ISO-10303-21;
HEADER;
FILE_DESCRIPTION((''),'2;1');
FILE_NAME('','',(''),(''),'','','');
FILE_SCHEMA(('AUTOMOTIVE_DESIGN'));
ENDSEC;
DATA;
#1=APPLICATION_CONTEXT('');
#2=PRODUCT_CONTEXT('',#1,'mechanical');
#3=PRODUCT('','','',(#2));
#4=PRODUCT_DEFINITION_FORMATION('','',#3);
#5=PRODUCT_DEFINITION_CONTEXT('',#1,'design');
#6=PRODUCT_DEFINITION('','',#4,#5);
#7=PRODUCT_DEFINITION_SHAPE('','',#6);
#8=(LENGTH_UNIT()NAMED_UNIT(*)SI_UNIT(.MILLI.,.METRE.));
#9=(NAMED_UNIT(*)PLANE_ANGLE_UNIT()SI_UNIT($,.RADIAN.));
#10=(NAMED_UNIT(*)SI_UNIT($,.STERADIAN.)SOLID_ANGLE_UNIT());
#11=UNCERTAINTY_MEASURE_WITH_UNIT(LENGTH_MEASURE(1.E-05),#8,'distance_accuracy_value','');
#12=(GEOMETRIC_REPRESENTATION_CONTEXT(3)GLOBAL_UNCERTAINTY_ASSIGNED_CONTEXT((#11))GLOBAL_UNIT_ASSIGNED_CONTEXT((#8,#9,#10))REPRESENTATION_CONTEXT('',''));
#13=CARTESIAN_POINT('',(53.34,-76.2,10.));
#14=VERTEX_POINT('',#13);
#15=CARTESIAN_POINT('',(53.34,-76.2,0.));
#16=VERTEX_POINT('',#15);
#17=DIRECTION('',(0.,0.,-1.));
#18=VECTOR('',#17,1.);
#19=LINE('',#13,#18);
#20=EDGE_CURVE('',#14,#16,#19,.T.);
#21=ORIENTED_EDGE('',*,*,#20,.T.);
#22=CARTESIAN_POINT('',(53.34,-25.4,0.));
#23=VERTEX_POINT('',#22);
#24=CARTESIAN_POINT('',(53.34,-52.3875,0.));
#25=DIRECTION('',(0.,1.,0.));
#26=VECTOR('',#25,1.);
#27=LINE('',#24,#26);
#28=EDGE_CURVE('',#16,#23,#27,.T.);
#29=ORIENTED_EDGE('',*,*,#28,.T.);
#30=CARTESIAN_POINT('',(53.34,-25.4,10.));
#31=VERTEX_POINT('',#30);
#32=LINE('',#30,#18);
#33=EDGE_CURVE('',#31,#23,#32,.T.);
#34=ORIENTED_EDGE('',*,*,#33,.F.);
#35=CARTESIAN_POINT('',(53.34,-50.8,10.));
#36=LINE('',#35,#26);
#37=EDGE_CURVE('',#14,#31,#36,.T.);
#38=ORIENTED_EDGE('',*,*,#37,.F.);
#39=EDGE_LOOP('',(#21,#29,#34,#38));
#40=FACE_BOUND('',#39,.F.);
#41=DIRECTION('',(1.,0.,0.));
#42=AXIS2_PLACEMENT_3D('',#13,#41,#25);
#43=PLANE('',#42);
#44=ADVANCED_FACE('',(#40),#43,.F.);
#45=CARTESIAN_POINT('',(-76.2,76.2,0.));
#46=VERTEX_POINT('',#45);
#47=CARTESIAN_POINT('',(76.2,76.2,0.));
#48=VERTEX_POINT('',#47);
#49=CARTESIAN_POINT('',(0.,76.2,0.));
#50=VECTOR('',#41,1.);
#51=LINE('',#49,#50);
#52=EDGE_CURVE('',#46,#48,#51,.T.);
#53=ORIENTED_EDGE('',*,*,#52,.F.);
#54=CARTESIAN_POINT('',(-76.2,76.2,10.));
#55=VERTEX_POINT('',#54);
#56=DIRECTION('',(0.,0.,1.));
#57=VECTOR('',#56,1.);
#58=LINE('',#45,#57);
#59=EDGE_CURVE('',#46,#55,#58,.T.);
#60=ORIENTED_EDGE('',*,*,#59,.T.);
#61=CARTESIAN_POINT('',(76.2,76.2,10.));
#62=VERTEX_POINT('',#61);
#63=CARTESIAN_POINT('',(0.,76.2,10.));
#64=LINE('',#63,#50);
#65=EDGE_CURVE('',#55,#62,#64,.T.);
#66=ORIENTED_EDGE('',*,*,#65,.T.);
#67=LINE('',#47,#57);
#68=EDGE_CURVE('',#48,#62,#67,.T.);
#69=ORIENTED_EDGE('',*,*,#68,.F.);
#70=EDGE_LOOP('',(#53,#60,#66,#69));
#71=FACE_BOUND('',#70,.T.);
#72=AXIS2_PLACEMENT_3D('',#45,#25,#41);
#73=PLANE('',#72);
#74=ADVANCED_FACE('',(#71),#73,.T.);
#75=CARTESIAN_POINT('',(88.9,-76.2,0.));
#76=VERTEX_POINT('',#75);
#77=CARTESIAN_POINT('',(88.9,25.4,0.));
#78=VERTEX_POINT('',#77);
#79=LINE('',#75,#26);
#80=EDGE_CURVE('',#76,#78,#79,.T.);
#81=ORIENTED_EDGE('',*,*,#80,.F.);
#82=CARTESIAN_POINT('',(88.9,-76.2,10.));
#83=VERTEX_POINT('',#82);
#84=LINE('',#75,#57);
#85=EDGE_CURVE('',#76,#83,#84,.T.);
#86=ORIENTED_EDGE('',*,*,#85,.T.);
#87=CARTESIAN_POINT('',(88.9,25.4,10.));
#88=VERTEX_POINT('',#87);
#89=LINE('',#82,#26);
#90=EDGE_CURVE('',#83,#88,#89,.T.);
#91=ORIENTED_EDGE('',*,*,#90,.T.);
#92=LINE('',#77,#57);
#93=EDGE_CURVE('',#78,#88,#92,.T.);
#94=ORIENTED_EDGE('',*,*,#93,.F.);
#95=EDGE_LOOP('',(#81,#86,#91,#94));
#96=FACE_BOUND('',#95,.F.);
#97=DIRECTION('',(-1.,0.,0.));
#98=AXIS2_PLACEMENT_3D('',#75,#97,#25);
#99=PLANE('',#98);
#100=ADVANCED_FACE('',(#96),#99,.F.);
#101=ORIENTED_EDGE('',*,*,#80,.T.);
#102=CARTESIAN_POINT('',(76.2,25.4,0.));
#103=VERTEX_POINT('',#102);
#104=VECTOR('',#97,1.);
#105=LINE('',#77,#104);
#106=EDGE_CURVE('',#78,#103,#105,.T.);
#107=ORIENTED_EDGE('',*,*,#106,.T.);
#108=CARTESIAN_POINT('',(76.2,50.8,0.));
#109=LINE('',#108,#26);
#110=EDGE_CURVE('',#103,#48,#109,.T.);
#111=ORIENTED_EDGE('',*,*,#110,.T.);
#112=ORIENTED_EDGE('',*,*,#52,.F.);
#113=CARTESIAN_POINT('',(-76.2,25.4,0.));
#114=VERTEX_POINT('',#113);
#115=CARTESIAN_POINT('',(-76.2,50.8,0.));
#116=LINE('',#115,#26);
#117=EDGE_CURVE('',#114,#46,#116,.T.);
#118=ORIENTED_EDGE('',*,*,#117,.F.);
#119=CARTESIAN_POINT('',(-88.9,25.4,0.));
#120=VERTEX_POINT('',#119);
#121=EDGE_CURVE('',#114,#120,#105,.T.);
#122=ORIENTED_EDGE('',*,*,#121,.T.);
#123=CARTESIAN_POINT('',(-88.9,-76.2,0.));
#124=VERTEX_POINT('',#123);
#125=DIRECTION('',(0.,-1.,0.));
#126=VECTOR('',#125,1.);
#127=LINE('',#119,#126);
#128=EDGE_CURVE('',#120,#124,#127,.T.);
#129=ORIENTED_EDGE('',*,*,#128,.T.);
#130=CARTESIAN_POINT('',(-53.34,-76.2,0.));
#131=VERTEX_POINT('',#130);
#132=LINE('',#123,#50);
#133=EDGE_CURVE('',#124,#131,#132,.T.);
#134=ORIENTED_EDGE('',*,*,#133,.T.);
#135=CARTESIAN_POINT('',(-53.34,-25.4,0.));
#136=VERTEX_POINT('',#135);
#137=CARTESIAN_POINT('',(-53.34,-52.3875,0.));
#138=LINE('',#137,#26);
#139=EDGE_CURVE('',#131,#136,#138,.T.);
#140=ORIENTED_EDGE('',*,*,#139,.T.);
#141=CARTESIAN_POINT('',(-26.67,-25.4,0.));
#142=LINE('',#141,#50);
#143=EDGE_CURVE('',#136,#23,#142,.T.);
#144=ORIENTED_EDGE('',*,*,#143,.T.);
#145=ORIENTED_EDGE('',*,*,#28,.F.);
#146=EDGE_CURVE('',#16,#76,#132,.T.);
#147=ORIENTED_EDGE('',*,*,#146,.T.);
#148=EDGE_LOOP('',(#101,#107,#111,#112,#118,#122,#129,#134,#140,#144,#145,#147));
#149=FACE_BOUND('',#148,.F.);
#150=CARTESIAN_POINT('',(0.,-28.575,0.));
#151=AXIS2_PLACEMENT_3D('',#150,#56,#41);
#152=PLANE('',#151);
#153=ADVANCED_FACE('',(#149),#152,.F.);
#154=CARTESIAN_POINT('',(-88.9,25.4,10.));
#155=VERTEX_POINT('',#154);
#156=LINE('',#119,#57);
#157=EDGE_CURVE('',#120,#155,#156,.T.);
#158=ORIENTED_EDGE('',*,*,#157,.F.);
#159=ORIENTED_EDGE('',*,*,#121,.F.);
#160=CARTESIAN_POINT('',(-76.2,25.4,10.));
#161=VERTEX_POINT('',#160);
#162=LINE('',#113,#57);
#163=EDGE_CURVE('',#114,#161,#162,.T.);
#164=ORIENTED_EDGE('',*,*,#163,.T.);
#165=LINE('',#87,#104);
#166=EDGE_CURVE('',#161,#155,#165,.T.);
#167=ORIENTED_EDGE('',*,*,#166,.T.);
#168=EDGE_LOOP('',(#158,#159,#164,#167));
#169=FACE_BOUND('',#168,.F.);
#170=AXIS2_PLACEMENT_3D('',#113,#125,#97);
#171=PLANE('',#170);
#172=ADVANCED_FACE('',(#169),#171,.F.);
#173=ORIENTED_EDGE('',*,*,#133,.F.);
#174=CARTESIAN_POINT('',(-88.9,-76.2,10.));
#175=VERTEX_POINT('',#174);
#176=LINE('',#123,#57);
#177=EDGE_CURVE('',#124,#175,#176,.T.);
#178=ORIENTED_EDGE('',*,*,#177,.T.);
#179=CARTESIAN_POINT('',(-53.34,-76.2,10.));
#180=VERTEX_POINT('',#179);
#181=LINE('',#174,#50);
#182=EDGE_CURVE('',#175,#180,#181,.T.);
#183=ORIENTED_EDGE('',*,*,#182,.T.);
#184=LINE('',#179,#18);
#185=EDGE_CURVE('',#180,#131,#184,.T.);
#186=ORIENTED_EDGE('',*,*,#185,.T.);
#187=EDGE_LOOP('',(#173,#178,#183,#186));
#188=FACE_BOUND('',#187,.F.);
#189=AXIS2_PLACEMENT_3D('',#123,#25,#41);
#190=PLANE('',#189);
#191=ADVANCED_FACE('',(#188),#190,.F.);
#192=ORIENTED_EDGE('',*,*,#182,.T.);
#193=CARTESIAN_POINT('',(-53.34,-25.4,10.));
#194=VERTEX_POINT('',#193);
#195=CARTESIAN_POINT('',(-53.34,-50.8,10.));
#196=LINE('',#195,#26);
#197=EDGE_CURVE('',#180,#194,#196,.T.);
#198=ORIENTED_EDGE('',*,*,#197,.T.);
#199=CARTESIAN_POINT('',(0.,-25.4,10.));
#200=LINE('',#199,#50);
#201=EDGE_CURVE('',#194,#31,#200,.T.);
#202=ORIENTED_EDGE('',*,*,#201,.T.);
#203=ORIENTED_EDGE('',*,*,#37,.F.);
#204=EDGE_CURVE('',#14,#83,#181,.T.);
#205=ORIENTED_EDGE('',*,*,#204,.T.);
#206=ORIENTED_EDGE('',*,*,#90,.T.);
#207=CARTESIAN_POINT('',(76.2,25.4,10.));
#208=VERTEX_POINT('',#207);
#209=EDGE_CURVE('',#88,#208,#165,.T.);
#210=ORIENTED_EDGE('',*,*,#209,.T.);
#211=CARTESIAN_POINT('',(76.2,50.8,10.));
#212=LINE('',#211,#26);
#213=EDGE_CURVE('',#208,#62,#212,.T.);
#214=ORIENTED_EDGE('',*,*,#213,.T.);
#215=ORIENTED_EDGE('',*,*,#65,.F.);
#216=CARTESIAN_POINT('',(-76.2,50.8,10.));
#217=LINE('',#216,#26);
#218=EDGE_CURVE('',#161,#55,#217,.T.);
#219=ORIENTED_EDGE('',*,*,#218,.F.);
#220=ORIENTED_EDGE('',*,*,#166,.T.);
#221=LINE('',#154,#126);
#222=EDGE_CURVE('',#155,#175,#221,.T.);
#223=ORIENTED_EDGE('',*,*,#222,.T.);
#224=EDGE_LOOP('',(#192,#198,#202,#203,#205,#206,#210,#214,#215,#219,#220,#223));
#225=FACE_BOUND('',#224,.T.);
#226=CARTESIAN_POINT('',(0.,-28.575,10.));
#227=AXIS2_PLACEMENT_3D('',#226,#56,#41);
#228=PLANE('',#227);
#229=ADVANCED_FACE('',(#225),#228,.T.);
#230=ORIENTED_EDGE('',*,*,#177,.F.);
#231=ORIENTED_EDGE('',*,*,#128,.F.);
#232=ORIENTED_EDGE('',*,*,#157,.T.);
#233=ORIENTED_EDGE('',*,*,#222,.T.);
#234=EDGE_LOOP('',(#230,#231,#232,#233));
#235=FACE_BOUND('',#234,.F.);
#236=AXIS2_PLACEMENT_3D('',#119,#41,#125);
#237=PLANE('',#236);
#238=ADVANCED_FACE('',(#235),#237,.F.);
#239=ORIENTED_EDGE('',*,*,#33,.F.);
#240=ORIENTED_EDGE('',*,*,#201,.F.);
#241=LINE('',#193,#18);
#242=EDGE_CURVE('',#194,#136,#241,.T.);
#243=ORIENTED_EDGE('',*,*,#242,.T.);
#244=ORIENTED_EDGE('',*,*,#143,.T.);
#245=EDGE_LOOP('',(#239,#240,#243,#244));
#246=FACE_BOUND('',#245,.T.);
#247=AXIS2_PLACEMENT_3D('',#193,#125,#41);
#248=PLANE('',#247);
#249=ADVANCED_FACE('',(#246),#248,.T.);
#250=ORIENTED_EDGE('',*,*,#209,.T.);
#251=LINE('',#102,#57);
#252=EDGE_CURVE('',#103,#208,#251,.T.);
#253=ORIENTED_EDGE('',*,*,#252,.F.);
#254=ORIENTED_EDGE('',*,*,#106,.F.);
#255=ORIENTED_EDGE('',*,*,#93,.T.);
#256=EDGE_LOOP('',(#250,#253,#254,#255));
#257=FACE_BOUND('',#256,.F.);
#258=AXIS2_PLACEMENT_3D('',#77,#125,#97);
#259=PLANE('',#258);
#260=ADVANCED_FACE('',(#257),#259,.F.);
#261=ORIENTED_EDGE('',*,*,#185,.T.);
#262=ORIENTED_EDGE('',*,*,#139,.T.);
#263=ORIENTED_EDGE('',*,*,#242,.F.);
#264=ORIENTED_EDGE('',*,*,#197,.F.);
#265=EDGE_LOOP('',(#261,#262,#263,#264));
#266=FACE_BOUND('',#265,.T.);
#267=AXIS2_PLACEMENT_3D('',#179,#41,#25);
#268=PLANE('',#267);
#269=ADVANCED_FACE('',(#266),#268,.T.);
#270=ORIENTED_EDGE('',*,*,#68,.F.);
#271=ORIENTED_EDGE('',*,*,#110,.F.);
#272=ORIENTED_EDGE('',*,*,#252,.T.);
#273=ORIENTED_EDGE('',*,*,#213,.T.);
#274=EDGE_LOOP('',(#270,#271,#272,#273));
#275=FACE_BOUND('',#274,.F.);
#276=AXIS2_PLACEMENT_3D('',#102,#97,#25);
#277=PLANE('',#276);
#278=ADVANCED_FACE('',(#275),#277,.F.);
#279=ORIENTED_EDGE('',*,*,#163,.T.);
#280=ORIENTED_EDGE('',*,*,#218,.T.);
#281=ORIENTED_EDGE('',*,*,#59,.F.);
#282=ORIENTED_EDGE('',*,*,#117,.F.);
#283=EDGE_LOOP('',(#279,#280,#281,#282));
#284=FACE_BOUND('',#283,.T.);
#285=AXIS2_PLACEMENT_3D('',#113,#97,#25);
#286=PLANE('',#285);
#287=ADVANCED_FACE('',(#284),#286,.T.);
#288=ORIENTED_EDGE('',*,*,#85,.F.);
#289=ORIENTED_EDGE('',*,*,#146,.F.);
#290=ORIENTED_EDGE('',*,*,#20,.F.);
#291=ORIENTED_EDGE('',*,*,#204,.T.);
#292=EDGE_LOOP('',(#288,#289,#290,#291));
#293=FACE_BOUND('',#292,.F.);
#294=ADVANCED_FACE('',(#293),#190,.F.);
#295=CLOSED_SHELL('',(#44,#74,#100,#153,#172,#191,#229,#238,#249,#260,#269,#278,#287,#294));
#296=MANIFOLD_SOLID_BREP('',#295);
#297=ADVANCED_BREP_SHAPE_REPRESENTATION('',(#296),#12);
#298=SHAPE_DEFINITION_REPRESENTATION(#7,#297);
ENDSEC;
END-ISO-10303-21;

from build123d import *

# Parameters (mm, degrees)
F0_W     = 152.4
F0_H     = 25.4
F0_H_2   = 50.8
F1_DEPTH = 10
F2_W     = 106.68
F2_H     = 50.8
F3_DEPTH = 25.4


with BuildPart() as f1:
    # F0 (on Top) → F1 (new body)
    with BuildSketch(Plane.XY):
        Polygon((88.9, -76.2), (88.9, 25.4), (76.2, 25.4), (76.2, 0), (-76.2, 0), (-76.2, 25.4), (-88.9, 25.4), (-88.9, -76.2), align=None)
        with Locations((0, 12.7)):
            Rectangle(F0_W, F0_H)
        with Locations((0, 50.8)):
            Rectangle(F0_W, F0_H_2)
    extrude(amount=F1_DEPTH)

    # F2 (on face) → F3 (cut)
    with BuildSketch(Plane.XY.offset(10)):
        with Locations((0, -50.8)):
            Rectangle(F2_W, F2_H)
    extrude(amount=-F3_DEPTH, mode=Mode.SUBTRACT)


solid = f1.part
